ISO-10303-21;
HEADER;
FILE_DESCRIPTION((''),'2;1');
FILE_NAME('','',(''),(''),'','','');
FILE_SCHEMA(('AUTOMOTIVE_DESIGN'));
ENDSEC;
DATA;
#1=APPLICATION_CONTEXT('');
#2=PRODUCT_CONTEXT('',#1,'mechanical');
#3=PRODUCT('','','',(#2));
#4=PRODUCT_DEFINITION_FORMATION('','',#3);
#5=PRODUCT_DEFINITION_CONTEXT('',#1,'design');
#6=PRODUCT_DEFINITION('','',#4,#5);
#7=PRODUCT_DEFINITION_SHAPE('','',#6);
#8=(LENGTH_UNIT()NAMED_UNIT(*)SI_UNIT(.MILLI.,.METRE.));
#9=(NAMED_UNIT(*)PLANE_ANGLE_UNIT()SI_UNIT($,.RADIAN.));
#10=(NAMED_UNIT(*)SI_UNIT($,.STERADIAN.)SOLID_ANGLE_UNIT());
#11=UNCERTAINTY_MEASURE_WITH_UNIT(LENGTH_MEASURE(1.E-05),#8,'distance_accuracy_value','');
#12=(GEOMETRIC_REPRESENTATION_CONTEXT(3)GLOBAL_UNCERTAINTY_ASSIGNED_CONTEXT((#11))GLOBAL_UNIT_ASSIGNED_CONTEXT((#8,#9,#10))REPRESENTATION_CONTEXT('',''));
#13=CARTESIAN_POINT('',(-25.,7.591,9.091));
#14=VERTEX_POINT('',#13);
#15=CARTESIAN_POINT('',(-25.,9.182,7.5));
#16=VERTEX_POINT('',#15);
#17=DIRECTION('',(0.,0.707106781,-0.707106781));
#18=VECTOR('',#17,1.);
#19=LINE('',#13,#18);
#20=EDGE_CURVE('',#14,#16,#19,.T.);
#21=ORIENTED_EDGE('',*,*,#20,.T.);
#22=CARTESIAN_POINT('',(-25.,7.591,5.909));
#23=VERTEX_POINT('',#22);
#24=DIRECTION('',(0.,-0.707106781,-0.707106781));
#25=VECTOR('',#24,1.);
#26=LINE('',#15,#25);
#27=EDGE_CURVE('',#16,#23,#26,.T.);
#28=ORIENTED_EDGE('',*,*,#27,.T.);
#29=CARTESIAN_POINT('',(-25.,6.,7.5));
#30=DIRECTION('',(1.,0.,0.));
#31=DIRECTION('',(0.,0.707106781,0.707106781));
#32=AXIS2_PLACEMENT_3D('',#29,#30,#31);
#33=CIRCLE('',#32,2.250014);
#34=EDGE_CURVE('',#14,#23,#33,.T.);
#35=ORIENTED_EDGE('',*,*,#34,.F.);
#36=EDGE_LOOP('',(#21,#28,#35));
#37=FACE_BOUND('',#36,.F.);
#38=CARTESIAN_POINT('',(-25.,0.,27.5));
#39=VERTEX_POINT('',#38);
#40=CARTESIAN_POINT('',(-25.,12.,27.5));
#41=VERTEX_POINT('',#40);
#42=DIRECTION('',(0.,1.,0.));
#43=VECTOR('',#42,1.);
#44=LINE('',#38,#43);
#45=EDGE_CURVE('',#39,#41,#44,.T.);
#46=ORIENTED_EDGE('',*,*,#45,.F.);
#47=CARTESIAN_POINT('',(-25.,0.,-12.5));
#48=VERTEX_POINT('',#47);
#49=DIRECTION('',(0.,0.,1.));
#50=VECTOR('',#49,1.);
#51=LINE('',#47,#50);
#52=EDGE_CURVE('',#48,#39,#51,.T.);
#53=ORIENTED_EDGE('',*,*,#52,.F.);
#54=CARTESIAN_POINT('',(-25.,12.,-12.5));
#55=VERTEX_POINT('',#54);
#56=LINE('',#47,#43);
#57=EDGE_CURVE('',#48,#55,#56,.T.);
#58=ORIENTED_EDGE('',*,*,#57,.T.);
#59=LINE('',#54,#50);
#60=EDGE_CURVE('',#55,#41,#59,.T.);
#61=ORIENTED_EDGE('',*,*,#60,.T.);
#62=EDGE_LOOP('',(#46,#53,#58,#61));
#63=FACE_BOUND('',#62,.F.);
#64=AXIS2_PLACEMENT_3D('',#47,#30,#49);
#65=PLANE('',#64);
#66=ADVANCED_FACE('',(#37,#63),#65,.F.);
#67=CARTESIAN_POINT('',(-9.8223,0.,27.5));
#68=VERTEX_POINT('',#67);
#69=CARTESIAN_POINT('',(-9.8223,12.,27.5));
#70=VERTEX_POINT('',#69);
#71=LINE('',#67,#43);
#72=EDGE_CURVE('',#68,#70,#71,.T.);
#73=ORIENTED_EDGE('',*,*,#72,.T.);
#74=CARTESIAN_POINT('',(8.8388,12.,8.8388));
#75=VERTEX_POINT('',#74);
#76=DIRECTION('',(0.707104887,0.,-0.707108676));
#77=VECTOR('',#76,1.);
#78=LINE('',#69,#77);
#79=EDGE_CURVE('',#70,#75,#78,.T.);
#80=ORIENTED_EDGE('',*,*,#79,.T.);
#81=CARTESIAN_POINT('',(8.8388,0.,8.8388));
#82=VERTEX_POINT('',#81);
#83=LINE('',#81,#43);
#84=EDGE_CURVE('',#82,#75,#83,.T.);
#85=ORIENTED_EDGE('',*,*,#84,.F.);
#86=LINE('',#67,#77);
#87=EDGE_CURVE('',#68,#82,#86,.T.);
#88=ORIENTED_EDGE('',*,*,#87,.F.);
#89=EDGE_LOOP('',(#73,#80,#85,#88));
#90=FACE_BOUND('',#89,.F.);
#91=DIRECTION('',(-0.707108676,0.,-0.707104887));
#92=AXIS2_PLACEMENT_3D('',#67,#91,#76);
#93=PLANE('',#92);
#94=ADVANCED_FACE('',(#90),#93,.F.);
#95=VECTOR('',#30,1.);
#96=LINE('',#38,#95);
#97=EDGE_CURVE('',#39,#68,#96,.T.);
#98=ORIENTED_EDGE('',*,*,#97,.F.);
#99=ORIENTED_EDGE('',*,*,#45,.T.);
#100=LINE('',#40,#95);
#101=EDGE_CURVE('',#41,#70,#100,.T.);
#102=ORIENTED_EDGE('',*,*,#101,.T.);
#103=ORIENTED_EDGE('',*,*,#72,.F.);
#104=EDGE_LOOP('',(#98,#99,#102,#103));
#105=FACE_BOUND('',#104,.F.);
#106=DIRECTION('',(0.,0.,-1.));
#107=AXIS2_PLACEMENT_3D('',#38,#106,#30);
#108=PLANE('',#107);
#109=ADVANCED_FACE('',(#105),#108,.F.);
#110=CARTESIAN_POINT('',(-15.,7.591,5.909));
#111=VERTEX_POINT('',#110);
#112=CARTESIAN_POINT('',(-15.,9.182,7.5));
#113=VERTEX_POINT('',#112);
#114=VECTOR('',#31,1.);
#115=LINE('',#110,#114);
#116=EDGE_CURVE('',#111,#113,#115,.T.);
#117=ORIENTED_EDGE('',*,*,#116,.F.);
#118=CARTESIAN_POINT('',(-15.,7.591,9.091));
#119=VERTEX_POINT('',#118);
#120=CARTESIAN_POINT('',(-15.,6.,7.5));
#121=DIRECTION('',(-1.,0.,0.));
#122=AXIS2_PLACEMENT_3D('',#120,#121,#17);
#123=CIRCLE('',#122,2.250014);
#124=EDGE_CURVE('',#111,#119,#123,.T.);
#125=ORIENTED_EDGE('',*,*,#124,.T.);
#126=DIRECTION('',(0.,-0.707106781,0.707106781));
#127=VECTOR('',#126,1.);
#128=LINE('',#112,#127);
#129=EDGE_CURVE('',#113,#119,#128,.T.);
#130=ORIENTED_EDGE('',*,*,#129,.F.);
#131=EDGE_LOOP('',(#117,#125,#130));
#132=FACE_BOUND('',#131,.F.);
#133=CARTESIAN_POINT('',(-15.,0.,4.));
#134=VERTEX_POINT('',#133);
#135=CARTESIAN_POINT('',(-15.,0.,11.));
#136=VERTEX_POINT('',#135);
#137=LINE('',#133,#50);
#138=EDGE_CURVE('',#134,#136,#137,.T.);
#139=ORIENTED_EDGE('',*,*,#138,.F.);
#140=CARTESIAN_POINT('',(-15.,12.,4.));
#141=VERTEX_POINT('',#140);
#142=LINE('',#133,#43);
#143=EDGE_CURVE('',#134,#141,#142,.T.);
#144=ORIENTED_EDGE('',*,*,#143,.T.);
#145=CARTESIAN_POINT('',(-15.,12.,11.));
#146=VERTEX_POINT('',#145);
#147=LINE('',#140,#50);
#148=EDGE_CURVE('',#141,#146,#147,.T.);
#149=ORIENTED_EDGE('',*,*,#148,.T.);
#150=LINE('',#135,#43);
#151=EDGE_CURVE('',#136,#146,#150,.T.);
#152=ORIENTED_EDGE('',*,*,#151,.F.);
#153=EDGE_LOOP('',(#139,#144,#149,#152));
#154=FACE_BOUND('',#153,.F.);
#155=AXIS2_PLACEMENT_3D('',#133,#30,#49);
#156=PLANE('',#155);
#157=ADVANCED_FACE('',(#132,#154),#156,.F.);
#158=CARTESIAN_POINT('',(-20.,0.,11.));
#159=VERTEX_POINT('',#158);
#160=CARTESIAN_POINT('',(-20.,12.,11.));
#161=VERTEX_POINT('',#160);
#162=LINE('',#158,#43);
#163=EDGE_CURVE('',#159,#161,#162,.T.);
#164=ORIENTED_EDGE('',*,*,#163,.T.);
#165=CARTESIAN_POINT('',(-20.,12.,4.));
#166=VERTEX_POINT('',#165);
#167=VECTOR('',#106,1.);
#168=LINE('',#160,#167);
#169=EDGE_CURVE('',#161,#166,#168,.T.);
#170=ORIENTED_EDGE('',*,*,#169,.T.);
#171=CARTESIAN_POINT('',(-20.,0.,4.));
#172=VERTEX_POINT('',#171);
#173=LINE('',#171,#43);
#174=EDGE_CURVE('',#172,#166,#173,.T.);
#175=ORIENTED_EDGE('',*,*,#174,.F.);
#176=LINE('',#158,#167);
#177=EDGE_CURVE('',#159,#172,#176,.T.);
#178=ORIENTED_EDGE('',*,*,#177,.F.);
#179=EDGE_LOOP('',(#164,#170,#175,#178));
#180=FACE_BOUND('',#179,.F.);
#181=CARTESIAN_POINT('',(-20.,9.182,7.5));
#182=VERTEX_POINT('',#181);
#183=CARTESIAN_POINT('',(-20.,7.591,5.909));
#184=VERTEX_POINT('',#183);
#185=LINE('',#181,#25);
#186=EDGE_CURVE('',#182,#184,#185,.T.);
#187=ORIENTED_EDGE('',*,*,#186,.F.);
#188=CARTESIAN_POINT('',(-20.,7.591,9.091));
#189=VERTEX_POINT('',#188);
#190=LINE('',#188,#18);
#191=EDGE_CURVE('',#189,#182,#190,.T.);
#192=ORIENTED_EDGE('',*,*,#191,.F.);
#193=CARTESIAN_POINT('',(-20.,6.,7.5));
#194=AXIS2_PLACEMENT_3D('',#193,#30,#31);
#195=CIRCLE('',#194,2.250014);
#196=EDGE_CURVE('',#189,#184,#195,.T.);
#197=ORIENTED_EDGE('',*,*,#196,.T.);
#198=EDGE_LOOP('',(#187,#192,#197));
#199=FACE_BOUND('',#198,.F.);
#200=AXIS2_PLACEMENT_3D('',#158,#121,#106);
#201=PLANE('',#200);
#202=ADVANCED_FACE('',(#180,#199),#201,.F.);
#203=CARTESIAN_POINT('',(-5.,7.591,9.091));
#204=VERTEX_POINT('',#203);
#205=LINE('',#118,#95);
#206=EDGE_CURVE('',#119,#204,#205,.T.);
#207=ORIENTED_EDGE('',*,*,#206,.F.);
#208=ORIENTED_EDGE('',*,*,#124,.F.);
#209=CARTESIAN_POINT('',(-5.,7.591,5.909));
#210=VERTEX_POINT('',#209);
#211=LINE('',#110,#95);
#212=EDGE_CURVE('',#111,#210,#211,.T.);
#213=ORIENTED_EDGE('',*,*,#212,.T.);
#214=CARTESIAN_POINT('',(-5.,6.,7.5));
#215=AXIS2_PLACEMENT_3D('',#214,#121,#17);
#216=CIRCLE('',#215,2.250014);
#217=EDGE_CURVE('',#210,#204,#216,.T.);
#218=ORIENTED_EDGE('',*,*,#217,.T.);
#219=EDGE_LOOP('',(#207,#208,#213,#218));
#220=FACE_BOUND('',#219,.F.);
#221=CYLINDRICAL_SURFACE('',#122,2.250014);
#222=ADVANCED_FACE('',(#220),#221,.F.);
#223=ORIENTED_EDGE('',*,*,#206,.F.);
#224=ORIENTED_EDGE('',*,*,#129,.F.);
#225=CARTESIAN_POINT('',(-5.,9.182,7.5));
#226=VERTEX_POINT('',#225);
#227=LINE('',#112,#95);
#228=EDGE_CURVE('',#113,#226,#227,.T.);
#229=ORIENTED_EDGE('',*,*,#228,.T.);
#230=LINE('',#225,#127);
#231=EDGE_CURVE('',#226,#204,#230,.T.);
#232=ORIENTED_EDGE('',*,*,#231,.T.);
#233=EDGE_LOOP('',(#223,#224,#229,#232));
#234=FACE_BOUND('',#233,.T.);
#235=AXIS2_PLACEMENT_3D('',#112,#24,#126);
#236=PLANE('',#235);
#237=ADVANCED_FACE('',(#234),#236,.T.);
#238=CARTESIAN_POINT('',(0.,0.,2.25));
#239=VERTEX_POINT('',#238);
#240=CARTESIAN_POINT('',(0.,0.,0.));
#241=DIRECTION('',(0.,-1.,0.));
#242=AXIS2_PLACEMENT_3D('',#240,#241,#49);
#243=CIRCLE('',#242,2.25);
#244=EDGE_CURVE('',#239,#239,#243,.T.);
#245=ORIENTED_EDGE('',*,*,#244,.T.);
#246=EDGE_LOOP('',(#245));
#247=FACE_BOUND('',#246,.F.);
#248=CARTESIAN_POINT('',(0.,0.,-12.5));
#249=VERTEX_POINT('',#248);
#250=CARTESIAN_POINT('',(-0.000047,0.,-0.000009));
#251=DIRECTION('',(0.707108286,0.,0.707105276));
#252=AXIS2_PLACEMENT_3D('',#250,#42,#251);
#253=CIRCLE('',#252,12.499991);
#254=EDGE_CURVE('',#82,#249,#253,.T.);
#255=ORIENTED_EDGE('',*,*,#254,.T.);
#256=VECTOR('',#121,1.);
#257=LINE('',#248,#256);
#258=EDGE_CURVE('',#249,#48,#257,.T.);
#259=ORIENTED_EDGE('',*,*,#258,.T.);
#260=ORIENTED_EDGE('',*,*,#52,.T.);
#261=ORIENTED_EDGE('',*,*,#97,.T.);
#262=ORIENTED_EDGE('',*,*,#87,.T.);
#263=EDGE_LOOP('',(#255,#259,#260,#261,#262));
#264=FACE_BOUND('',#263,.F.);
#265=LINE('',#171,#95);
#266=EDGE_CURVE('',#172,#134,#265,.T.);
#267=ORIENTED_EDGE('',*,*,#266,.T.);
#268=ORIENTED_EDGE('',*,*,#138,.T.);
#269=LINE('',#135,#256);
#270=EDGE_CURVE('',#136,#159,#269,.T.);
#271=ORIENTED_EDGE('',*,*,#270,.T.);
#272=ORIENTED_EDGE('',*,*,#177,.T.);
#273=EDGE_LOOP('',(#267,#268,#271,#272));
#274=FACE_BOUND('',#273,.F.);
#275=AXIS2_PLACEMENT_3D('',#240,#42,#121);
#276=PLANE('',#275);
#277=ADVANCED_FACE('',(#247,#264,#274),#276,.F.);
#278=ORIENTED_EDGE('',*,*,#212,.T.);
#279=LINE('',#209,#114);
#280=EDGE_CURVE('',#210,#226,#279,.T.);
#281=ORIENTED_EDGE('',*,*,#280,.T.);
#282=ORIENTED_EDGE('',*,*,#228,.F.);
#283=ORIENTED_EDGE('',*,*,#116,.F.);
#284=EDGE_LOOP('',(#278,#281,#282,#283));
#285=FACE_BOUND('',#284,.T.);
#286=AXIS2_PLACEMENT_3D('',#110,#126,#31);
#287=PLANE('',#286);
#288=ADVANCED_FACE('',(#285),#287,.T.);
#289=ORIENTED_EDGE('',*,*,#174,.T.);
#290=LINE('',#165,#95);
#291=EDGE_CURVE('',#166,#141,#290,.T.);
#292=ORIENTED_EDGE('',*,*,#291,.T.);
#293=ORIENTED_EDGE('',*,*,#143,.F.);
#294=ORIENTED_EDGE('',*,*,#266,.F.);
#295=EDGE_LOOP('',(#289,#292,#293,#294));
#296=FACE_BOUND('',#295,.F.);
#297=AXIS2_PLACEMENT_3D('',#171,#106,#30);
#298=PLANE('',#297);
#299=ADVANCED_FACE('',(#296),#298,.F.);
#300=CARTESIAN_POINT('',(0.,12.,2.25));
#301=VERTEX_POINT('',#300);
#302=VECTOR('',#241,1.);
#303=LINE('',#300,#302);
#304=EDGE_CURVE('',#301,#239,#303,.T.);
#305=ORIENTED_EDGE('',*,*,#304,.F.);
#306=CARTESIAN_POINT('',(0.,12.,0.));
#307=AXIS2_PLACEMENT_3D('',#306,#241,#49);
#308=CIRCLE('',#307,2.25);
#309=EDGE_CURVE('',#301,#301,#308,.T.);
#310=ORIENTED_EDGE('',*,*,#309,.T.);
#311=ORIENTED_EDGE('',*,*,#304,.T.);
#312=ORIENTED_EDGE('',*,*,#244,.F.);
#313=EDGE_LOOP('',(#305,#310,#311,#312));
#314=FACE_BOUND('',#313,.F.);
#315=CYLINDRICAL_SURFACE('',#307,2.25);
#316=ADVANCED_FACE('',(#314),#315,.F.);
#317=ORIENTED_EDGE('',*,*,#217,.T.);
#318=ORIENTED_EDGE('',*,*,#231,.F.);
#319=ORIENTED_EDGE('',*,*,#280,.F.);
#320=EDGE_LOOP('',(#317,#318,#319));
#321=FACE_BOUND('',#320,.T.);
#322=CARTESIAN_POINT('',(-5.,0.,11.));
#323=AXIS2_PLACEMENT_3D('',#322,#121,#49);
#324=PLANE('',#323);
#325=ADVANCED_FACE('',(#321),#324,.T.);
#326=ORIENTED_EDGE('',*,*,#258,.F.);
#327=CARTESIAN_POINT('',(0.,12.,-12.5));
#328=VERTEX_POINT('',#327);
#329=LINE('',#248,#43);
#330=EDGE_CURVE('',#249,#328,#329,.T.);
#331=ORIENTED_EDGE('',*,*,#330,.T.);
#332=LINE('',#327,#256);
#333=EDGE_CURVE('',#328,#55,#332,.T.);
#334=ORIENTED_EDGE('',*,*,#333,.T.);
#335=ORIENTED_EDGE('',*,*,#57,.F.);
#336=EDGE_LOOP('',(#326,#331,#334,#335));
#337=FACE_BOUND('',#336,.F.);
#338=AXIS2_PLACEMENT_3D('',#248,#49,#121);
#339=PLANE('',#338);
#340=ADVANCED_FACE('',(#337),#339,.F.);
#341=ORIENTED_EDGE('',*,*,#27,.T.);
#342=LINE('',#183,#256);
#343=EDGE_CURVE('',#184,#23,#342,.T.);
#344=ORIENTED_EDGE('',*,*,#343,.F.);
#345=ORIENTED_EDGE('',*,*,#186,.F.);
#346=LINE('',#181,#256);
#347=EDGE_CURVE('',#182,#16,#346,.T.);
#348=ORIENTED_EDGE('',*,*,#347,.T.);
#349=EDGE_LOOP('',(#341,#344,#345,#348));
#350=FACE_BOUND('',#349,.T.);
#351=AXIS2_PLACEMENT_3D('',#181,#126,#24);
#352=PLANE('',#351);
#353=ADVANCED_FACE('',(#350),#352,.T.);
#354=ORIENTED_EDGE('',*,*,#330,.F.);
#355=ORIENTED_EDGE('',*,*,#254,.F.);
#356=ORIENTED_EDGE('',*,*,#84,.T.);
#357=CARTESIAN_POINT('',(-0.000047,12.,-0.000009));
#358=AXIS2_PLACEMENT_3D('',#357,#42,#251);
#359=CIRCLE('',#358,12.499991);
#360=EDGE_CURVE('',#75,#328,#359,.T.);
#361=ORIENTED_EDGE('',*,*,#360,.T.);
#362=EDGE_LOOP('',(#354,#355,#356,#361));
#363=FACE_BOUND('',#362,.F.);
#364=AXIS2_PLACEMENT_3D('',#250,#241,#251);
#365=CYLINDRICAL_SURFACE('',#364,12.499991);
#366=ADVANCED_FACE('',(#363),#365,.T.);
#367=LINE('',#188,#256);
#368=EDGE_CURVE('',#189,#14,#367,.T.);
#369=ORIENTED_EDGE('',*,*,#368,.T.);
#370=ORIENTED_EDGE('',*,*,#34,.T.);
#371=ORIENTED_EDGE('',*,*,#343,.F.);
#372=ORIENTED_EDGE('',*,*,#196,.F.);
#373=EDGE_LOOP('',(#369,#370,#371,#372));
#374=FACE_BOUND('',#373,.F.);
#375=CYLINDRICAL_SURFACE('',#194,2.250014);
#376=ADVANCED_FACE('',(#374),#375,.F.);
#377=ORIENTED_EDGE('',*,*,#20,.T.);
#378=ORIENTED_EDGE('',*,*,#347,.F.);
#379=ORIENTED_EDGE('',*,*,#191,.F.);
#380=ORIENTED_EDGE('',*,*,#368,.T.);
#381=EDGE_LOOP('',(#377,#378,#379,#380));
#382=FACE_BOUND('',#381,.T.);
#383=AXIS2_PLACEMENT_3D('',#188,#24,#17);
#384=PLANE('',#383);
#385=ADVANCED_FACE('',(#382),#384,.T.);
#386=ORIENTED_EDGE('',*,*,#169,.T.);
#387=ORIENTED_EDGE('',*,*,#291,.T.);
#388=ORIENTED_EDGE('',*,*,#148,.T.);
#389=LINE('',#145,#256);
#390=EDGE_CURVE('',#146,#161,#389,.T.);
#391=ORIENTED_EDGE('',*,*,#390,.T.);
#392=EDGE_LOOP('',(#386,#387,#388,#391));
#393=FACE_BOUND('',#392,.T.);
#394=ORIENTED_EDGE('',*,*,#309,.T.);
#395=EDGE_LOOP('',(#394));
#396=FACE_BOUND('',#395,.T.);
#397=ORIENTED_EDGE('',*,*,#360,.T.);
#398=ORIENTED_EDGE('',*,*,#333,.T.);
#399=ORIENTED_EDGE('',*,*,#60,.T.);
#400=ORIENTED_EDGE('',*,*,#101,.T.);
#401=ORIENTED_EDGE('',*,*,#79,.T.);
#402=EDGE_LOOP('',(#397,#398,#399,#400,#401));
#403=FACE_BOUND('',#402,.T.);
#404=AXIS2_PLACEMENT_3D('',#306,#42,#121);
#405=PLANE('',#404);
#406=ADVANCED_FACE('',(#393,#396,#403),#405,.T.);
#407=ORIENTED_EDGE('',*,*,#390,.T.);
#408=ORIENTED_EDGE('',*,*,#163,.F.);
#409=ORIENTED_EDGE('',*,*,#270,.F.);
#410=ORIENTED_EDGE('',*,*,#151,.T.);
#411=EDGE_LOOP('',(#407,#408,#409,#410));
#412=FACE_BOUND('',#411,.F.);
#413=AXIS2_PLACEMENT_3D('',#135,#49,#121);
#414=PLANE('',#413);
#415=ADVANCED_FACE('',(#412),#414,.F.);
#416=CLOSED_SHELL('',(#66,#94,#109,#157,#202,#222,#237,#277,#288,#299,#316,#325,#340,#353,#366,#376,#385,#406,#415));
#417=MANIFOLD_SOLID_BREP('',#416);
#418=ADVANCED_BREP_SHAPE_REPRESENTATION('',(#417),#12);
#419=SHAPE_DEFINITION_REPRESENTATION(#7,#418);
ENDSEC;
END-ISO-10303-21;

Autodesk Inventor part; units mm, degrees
ref_plane "YZ Plane" through (0, 0, 0) normal (1, 0, 0) x (0, 1, 0)
ref_plane "XZ Plane" through (0, 0, 0) normal (0, 1, 0) x (-1, 0, 0)
ref_plane "XY Plane" through (0, 0, 0) normal (0, 0, 1) x (1, 0, 0)
sketch "Sketch1" plane through (0, 0, 0) normal (0, 1, 0) x (-1, 0, 0)
  line L0 (9.8223, 27.5) -> (-8.8388, 8.8388)
  line L1 (25, 27.5) -> (9.8223, 27.5)
  line L2 (25, -12.5) -> (25, 27.5)
  line L3 (0, -12.5) -> (25, -12.5)
  arc A0 (-8.8388, 8.8388) -> (0, -12.5) centre (0, 0) ccw
extrude "Extrusion4" add sketch "Sketch1" along normal blind 12
sketch "Sketch2" plane through (0, 12, 0) normal (0, 1, 0) x (1, 0, 0)
  point P0 (0, 0)
hole "Hole1" at (0, 12, 0) direction (0, -1, 0) diameter 4.5 depth 12
sketch "Sketch3" plane through (0, 0, 0) normal (0, 1, 0) x (-1, 0, 0)
  line L0 (15, 4) -> (15, 11)
  line L1 (20, 4) -> (15, 4)
  line L2 (15, 11) -> (20, 11)
  line L3 (20, 11) -> (20, 4)
extrude "Extrusion3" cut sketch "Sketch3" along normal blind 12
sketch "Sketch4" plane through (-15, 0, 11) normal (-1, 0, 0) x (0, 0, 1)
  line L0 (-3.5, 9.182) -> (-1.909, 7.591)
  arc A0 (-5.091, 7.591) -> (-1.909, 7.591) centre (-3.5, 6) ccw
  line L1 (-5.091, 7.591) -> (-3.5, 9.182)
extrude "Extrusion2" cut sketch "Sketch4" against normal blind 10 draft 0
sketch "Sketch5" plane through (-20, 0, 4) normal (1, 0, 0) x (0, 0, -1)
  line L0 (-3.5, 9.182) -> (-1.909, 7.591)
  arc A0 (-5.091, 7.591) -> (-1.909, 7.591) centre (-3.5, 6) ccw
  line L1 (-5.091, 7.591) -> (-3.5, 9.182)
extrude "Extrusion1" cut sketch "Sketch5" against normal blind 5
properties part number "Hopper GUI Corner holder" material "Nylon 6/6"
